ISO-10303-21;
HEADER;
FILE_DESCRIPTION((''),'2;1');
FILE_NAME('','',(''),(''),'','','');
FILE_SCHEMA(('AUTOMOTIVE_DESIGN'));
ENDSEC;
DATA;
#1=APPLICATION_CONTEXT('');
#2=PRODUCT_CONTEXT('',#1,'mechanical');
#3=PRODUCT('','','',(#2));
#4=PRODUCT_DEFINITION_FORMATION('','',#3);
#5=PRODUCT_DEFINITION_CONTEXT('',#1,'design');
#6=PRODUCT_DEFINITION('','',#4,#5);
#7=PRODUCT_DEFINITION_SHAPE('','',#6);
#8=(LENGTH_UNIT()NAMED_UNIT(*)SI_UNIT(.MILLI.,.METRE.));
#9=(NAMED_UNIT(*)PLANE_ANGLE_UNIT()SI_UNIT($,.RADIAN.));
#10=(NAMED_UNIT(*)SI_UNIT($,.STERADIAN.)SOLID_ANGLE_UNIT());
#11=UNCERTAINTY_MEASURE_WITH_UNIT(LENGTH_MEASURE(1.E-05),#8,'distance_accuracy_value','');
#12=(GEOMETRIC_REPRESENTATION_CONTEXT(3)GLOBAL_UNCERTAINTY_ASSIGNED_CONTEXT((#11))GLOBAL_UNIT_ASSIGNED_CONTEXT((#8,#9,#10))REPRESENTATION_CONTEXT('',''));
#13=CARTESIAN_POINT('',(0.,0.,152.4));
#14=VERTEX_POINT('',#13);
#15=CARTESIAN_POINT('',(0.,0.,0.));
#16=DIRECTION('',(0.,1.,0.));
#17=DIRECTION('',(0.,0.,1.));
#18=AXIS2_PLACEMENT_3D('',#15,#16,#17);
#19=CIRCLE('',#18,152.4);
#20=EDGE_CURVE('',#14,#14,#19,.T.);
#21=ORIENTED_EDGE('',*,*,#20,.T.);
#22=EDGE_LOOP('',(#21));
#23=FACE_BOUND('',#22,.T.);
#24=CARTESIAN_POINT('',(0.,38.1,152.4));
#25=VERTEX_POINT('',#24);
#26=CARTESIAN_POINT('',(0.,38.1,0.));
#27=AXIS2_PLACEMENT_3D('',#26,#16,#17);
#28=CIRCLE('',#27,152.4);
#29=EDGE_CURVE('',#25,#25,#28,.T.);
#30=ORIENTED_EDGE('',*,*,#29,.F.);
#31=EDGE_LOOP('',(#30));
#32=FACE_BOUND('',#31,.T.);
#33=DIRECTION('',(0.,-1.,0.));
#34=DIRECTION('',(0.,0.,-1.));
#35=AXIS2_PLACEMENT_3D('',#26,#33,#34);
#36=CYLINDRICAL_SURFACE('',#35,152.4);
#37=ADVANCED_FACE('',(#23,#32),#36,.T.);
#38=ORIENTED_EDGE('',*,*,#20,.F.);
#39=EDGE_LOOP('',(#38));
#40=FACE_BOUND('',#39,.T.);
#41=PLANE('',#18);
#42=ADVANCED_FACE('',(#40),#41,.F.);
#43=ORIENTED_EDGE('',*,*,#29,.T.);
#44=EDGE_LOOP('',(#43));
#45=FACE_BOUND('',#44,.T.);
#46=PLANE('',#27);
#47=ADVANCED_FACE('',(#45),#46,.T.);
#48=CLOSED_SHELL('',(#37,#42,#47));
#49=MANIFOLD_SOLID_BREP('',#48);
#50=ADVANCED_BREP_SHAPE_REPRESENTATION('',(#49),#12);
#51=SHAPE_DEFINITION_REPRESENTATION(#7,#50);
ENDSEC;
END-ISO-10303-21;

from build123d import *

# Parameters (mm, degrees)
SKETCH_1_R      = 152.4
EXTRUDE_1_DEPTH = 38.1


with BuildPart() as part:
    # 草图1 → 凸台-拉伸1 (new body)
    with BuildSketch(Plane(origin=(0, 0, 0), x_dir=(1, 0, 0), z_dir=(0, 1, 0))):
        with Locations(Location((0, 0, 0), (0, 0, 270))):  # turned: the seam where the file's is
            Circle(SKETCH_1_R)
    extrude(amount=EXTRUDE_1_DEPTH)


solid = part.part
